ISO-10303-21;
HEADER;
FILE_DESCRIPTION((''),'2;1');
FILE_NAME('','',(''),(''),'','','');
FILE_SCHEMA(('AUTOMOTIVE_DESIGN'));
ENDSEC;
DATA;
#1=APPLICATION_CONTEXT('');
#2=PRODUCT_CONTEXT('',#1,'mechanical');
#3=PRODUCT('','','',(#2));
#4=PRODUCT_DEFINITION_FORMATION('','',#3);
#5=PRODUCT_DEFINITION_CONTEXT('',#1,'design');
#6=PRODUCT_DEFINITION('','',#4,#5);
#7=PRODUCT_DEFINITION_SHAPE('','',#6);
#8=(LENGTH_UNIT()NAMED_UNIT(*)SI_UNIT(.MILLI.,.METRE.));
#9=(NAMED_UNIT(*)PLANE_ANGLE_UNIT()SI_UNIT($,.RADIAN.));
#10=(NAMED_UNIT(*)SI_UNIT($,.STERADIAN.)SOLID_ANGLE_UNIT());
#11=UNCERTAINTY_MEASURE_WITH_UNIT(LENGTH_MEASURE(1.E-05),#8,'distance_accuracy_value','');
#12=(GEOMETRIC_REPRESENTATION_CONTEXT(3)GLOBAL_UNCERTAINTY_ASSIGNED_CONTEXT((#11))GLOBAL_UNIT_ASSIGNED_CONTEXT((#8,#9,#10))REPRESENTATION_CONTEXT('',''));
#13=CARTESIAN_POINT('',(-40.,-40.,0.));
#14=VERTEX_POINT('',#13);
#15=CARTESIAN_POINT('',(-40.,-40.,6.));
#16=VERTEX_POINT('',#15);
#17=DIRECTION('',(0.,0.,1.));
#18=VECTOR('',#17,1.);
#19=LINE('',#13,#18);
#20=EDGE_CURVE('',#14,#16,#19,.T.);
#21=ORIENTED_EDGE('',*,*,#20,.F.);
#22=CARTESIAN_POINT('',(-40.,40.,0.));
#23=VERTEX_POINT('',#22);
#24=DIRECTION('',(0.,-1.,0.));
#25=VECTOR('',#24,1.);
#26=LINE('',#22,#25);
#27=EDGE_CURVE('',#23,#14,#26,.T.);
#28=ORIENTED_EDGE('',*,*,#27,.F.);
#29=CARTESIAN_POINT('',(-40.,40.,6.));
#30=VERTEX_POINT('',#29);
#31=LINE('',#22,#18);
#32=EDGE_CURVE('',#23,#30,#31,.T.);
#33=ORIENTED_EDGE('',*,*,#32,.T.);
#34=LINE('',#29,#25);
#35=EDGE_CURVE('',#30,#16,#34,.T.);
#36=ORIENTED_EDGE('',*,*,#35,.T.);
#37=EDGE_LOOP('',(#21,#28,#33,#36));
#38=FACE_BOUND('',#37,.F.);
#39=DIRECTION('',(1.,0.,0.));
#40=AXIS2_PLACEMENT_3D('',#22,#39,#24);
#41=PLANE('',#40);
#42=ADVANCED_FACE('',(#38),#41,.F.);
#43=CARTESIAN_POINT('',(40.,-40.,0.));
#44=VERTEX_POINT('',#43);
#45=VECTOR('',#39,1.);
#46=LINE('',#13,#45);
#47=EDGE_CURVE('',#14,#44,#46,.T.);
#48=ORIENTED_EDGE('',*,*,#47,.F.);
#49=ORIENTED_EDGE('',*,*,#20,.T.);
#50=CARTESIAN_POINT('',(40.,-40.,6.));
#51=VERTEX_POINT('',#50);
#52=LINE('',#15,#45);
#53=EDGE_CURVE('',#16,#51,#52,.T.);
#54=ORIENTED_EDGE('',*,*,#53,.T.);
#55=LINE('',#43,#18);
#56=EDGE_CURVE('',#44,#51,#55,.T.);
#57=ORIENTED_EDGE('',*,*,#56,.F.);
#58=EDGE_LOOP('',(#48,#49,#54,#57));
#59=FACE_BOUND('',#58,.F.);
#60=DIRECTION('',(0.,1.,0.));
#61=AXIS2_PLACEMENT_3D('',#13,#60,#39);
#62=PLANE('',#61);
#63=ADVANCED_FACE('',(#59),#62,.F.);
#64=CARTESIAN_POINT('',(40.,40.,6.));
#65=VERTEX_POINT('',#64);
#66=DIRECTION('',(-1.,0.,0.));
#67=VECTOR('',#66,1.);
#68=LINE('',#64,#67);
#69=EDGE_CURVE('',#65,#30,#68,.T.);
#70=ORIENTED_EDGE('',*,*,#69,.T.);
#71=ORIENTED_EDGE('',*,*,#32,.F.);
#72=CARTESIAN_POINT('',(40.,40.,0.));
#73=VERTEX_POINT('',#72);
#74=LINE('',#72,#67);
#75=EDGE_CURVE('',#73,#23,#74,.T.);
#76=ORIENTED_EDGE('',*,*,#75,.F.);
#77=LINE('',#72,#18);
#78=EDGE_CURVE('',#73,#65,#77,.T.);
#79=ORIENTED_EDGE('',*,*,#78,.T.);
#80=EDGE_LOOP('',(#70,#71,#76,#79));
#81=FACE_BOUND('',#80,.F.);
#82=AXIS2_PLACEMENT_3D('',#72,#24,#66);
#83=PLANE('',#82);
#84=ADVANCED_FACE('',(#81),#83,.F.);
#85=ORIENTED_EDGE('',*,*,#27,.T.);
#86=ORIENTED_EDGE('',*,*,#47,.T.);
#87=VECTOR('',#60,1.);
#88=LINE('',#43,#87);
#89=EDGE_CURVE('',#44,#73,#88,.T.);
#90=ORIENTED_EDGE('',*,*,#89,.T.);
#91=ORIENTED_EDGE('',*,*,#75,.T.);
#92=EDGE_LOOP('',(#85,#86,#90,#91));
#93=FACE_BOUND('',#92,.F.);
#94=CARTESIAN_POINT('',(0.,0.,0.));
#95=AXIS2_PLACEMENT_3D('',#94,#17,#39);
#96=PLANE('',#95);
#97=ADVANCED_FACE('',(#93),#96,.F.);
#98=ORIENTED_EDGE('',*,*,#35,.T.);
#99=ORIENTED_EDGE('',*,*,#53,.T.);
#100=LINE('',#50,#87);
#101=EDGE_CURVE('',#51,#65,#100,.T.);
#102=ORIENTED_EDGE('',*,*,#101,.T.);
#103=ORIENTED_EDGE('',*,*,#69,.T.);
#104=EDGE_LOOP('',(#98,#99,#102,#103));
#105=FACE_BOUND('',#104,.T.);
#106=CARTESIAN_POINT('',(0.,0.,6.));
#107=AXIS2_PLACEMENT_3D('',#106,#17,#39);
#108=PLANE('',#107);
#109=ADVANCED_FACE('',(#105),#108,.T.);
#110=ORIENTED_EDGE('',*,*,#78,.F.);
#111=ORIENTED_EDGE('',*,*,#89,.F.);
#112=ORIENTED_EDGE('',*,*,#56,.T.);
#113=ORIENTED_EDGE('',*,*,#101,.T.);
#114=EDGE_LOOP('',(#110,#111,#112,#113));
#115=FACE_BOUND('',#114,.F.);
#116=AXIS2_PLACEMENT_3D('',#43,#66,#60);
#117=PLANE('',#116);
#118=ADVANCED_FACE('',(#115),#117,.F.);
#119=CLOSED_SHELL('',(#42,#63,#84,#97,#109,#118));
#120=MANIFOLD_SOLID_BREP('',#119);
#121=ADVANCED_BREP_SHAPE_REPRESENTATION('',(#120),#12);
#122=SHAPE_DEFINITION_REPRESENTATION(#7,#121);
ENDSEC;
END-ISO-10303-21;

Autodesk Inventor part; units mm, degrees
ref_plane "YZ Plane" through (0, 0, 0) normal (1, 0, 0) x (0, 1, 0)
ref_plane "XZ Plane" through (0, 0, 0) normal (0, 1, 0) x (-1, 0, 0)
ref_plane "XY Plane" through (0, 0, 0) normal (0, 0, 1) x (1, 0, 0)
sketch "Sketch1" plane through (0, 0, 0) normal (0, 0, 1) x (1, 0, 0)
  line L0 (-40, -40) -> (40, -40)
  line L1 (40, -40) -> (40, 40)
  line L2 (40, 40) -> (-40, 40)
  line L3 (-40, 40) -> (-40, -40)
  line L4 (-40, -40) -> (40, 40) construction
  line L5 (40, -40) -> (-40, 40) construction
  point P0 (0, 0)
  dimension "d0" = 80
  dimension "d1" = 80
extrude "Extrusion1" add sketch "Sketch1" along normal blind 6
properties part number "Upperlifter_5"
